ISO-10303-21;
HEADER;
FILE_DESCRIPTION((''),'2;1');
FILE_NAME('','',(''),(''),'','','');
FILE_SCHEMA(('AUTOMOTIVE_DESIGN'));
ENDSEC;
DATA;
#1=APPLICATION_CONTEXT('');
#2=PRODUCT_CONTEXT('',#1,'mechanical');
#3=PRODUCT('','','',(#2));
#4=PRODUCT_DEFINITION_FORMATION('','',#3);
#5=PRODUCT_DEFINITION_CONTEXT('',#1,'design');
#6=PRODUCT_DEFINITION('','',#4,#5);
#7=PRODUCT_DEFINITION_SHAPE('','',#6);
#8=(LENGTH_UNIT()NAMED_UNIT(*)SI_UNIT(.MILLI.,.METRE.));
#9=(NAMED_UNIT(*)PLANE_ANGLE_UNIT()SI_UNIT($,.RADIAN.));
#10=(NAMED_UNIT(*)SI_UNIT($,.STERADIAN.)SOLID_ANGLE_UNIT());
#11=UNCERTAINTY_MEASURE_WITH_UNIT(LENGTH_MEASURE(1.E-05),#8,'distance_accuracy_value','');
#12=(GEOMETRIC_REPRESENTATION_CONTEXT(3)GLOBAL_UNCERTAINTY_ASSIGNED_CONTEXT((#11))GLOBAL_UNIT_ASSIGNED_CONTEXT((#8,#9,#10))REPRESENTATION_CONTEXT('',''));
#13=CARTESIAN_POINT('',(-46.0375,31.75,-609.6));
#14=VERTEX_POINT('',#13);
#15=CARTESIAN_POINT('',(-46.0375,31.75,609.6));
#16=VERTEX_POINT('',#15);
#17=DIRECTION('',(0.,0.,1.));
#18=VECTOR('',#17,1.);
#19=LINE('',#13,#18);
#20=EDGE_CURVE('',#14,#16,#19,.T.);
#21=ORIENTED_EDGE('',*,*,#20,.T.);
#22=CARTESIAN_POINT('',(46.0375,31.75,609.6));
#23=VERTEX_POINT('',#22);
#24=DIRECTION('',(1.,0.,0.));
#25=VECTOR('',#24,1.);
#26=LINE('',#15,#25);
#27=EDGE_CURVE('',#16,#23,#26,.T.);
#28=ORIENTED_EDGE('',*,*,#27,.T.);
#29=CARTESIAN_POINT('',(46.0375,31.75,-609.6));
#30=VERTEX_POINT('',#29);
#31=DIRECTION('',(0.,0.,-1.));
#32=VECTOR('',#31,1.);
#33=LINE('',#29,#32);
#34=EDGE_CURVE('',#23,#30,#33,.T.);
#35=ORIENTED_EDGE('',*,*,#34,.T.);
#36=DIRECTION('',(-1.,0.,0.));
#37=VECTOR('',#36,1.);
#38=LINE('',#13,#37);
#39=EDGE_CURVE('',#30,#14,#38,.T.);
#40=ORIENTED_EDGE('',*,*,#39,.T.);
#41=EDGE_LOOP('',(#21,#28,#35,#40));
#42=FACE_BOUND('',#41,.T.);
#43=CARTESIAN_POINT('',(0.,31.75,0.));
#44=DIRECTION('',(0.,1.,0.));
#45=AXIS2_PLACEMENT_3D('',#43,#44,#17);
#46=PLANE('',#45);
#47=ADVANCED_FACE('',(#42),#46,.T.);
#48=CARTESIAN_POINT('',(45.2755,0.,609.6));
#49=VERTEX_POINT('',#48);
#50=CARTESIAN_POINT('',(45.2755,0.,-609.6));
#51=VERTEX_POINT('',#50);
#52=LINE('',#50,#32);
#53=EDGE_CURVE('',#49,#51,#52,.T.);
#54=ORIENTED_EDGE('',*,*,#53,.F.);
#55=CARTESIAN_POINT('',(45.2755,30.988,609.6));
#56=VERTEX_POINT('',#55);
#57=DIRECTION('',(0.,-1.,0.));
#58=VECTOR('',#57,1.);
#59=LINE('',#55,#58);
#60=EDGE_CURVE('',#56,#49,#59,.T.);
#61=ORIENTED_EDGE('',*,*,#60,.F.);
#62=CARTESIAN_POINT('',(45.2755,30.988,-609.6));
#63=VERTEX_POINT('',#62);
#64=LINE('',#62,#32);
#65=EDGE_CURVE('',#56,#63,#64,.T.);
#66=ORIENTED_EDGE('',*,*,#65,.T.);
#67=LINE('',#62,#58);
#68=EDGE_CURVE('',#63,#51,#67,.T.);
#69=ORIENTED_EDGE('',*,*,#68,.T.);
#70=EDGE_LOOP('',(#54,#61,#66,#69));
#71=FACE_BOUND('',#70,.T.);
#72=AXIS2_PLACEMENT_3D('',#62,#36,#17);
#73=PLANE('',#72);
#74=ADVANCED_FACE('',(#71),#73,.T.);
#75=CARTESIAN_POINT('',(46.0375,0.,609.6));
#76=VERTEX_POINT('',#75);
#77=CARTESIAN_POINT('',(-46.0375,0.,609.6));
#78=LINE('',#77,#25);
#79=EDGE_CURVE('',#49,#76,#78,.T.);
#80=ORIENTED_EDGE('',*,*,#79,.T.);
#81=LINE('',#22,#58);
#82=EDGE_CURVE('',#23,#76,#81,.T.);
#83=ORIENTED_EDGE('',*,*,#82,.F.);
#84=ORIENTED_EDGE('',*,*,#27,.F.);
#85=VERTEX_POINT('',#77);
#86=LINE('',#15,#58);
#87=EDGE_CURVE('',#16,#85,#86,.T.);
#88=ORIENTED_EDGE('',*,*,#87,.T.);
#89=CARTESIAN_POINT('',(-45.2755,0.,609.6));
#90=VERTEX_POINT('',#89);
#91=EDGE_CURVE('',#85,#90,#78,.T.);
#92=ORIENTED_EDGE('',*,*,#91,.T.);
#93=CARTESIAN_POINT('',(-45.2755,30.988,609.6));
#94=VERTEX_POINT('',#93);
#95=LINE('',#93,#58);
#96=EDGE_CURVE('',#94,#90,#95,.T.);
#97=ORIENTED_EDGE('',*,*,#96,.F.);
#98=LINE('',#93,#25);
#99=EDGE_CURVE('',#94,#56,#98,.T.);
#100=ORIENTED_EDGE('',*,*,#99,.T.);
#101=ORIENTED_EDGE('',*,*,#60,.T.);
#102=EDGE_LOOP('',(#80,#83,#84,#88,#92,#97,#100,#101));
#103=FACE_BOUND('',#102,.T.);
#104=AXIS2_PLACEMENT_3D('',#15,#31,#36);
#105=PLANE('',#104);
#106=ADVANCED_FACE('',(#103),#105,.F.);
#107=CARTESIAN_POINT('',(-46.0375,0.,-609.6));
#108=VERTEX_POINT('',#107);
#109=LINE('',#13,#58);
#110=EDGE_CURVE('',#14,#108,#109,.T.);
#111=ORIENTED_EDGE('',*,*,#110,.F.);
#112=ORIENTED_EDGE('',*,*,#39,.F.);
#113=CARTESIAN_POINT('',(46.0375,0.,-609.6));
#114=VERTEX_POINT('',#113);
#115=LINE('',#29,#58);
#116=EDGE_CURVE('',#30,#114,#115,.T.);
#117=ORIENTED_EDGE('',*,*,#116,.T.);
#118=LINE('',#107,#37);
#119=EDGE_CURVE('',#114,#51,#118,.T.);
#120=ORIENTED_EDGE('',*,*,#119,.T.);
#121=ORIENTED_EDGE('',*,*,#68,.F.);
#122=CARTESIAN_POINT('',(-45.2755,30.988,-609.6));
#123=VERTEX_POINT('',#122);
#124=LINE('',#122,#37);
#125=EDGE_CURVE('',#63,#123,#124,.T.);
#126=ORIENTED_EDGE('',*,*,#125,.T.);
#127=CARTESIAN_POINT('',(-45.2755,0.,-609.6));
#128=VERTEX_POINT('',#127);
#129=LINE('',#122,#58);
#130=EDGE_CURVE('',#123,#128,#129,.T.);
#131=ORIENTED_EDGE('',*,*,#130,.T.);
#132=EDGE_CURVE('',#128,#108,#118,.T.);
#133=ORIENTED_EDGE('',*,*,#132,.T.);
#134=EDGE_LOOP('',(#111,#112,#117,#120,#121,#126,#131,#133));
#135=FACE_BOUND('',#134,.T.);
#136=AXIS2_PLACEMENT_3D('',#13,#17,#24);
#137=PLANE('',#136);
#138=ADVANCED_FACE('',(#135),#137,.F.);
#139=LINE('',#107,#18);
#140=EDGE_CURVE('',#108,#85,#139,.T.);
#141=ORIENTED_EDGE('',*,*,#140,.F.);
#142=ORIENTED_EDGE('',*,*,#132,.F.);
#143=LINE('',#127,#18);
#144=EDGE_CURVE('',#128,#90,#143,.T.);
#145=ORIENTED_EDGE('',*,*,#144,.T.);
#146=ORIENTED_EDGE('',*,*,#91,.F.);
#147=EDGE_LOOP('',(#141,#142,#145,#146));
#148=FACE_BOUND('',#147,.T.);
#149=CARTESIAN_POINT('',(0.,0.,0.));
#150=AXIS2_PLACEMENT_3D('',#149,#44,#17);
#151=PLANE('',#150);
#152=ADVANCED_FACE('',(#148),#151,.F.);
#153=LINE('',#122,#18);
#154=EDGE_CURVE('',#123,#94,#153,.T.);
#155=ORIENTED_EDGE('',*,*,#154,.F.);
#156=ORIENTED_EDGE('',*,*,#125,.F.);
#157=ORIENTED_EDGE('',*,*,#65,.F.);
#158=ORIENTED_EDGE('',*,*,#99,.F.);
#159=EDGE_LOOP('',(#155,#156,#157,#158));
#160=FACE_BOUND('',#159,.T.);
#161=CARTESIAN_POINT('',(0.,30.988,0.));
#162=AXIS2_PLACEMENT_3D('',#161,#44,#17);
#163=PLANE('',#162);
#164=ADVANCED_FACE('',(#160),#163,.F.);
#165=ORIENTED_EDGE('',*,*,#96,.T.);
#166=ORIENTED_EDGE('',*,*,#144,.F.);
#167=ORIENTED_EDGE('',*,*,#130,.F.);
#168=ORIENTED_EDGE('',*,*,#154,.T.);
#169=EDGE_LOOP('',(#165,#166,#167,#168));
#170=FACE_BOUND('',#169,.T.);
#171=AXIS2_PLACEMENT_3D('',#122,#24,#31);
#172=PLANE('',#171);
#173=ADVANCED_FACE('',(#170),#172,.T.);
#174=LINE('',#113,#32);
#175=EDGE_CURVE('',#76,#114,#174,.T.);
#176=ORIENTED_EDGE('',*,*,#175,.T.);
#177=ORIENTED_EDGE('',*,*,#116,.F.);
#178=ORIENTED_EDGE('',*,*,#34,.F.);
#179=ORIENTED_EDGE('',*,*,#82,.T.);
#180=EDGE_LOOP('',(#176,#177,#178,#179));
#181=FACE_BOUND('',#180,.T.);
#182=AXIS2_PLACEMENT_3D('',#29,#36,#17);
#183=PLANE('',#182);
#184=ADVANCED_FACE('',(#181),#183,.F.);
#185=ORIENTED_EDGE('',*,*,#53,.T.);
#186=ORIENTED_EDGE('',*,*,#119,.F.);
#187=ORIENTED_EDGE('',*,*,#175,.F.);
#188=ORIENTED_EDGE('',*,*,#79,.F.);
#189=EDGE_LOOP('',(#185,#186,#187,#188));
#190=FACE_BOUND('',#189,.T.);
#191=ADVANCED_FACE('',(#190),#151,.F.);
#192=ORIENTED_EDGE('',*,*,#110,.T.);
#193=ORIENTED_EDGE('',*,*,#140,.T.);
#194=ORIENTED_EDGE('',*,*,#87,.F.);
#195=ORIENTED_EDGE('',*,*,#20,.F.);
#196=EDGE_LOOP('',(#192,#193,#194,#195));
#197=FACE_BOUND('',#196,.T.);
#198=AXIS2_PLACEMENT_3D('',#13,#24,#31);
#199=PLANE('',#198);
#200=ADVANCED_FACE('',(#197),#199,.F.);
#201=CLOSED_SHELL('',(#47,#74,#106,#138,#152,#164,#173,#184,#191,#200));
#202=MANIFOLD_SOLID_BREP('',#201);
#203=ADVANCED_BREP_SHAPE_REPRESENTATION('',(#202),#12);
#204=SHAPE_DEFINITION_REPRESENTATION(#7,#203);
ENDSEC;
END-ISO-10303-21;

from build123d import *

# Parameters (mm, degrees)
SKETCH1_W           = 92.075
SKETCH1_H           = 1219.2
BOSS_EXTRUDE1_DEPTH = 31.75
SKETCH2_W           = 90.551
SKETCH2_H           = 1219.2
CUT_EXTRUDE1_DEPTH  = 30.988


with BuildPart() as part:
    # Sketch1 → Boss-Extrude1 (new body)
    with BuildSketch(Plane(origin=(0, 0, 0), x_dir=(1, 0, 0), z_dir=(0, 1, 0))):
        Rectangle(SKETCH1_W, SKETCH1_H)
    extrude(amount=BOSS_EXTRUDE1_DEPTH)

    # Sketch2 → Cut-Extrude1 (cut)
    with BuildSketch(Plane(origin=(0, 0, 0), x_dir=(1, 0, 0), z_dir=(0, 1, 0))):
        Rectangle(SKETCH2_W, SKETCH2_H)
    extrude(amount=CUT_EXTRUDE1_DEPTH, mode=Mode.SUBTRACT)


solid = part.part
